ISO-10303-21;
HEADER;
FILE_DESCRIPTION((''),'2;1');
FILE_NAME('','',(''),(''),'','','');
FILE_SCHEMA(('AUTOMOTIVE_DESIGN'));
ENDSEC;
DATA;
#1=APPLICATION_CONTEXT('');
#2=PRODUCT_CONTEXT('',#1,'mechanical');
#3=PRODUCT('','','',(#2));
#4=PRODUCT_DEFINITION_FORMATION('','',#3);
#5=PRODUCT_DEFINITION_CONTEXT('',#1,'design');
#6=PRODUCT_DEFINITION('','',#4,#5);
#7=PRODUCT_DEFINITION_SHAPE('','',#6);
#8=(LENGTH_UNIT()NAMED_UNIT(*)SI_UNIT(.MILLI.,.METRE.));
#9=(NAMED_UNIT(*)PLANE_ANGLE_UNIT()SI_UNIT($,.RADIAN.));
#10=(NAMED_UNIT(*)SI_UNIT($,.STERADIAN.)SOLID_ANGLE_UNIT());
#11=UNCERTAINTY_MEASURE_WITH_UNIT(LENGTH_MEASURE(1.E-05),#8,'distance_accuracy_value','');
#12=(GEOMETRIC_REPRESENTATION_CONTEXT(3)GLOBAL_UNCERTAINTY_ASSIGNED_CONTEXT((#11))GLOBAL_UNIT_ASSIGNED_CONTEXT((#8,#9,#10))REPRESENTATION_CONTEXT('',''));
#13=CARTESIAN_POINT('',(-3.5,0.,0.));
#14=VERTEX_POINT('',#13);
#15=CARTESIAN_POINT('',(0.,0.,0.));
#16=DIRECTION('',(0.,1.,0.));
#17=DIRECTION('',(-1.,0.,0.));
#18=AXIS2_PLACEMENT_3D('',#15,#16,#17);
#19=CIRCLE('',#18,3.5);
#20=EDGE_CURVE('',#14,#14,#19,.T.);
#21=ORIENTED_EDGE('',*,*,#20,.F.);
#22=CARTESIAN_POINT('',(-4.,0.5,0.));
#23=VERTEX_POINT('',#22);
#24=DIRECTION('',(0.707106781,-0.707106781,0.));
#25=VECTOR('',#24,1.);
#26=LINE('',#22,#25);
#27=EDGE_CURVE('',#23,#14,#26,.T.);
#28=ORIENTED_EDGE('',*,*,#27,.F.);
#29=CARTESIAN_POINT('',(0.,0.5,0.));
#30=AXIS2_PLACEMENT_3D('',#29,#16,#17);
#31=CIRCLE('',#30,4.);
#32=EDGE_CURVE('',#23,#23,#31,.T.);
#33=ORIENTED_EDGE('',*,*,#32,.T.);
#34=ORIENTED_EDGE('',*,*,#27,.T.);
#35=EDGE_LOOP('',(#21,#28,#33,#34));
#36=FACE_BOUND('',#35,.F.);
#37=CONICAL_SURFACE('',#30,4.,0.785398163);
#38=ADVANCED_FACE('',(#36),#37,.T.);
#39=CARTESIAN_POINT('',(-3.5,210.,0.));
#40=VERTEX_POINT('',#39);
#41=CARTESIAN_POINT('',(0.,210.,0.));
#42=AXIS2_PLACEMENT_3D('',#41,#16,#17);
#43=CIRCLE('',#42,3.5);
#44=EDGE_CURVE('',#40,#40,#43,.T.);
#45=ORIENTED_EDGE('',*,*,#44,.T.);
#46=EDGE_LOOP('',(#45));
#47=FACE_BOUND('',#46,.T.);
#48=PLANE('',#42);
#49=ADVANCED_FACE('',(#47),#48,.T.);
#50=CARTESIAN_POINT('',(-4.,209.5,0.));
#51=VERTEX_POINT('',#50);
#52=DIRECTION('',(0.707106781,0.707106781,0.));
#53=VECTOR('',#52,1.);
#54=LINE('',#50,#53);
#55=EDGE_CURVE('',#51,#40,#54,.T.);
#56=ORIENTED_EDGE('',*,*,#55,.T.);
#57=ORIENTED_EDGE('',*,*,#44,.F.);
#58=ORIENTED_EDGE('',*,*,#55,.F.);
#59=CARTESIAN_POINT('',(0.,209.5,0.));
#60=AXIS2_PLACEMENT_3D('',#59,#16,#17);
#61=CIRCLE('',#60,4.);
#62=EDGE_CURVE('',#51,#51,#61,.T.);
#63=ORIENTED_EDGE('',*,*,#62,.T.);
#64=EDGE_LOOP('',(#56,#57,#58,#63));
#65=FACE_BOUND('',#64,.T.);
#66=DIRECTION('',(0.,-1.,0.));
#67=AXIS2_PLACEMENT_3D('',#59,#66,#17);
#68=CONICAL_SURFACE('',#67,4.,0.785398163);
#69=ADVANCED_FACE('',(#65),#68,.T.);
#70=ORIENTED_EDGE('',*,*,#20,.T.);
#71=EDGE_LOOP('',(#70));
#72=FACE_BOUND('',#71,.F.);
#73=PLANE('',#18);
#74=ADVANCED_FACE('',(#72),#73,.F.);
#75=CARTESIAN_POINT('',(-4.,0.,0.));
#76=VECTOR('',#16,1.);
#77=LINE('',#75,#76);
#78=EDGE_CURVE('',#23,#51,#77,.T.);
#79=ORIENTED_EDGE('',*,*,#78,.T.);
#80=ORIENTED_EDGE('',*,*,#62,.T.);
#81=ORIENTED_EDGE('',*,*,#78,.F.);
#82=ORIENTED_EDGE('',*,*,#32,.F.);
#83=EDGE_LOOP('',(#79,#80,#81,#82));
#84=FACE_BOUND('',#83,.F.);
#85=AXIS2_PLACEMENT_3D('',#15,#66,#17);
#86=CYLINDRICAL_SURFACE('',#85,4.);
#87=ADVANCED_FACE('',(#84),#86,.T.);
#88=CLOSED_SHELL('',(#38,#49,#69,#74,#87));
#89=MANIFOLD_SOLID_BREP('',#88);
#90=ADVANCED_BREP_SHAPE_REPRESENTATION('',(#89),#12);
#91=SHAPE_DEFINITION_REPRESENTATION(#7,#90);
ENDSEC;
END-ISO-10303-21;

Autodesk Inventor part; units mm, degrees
ref_plane "YZ Plane" through (0, 0, 0) normal (1, 0, 0) x (0, 1, 0)
ref_plane "XZ Plane" through (0, 0, 0) normal (0, 1, 0) x (-1, 0, 0)
ref_plane "XY Plane" through (0, 0, 0) normal (0, 0, 1) x (1, 0, 0)
sketch "Sketch1" plane through (0, 0, 0) normal (0, 1, 0) x (-1, 0, 0)
  circle A0 centre (0, 0) radius 4
  dimension "d0" = 8
extrude "Extrusion1" add sketch "Sketch1" along normal blind 210
chamfer "Chamfer1" distance 0.5 angle 45 2 edges at (4, 210, 0) (4, 0, 0)
thread "Thread1" size "M8x1.25" class "6g" standard "ANSI Metric M Profile" full length
properties part number "ThreadedRod2"
